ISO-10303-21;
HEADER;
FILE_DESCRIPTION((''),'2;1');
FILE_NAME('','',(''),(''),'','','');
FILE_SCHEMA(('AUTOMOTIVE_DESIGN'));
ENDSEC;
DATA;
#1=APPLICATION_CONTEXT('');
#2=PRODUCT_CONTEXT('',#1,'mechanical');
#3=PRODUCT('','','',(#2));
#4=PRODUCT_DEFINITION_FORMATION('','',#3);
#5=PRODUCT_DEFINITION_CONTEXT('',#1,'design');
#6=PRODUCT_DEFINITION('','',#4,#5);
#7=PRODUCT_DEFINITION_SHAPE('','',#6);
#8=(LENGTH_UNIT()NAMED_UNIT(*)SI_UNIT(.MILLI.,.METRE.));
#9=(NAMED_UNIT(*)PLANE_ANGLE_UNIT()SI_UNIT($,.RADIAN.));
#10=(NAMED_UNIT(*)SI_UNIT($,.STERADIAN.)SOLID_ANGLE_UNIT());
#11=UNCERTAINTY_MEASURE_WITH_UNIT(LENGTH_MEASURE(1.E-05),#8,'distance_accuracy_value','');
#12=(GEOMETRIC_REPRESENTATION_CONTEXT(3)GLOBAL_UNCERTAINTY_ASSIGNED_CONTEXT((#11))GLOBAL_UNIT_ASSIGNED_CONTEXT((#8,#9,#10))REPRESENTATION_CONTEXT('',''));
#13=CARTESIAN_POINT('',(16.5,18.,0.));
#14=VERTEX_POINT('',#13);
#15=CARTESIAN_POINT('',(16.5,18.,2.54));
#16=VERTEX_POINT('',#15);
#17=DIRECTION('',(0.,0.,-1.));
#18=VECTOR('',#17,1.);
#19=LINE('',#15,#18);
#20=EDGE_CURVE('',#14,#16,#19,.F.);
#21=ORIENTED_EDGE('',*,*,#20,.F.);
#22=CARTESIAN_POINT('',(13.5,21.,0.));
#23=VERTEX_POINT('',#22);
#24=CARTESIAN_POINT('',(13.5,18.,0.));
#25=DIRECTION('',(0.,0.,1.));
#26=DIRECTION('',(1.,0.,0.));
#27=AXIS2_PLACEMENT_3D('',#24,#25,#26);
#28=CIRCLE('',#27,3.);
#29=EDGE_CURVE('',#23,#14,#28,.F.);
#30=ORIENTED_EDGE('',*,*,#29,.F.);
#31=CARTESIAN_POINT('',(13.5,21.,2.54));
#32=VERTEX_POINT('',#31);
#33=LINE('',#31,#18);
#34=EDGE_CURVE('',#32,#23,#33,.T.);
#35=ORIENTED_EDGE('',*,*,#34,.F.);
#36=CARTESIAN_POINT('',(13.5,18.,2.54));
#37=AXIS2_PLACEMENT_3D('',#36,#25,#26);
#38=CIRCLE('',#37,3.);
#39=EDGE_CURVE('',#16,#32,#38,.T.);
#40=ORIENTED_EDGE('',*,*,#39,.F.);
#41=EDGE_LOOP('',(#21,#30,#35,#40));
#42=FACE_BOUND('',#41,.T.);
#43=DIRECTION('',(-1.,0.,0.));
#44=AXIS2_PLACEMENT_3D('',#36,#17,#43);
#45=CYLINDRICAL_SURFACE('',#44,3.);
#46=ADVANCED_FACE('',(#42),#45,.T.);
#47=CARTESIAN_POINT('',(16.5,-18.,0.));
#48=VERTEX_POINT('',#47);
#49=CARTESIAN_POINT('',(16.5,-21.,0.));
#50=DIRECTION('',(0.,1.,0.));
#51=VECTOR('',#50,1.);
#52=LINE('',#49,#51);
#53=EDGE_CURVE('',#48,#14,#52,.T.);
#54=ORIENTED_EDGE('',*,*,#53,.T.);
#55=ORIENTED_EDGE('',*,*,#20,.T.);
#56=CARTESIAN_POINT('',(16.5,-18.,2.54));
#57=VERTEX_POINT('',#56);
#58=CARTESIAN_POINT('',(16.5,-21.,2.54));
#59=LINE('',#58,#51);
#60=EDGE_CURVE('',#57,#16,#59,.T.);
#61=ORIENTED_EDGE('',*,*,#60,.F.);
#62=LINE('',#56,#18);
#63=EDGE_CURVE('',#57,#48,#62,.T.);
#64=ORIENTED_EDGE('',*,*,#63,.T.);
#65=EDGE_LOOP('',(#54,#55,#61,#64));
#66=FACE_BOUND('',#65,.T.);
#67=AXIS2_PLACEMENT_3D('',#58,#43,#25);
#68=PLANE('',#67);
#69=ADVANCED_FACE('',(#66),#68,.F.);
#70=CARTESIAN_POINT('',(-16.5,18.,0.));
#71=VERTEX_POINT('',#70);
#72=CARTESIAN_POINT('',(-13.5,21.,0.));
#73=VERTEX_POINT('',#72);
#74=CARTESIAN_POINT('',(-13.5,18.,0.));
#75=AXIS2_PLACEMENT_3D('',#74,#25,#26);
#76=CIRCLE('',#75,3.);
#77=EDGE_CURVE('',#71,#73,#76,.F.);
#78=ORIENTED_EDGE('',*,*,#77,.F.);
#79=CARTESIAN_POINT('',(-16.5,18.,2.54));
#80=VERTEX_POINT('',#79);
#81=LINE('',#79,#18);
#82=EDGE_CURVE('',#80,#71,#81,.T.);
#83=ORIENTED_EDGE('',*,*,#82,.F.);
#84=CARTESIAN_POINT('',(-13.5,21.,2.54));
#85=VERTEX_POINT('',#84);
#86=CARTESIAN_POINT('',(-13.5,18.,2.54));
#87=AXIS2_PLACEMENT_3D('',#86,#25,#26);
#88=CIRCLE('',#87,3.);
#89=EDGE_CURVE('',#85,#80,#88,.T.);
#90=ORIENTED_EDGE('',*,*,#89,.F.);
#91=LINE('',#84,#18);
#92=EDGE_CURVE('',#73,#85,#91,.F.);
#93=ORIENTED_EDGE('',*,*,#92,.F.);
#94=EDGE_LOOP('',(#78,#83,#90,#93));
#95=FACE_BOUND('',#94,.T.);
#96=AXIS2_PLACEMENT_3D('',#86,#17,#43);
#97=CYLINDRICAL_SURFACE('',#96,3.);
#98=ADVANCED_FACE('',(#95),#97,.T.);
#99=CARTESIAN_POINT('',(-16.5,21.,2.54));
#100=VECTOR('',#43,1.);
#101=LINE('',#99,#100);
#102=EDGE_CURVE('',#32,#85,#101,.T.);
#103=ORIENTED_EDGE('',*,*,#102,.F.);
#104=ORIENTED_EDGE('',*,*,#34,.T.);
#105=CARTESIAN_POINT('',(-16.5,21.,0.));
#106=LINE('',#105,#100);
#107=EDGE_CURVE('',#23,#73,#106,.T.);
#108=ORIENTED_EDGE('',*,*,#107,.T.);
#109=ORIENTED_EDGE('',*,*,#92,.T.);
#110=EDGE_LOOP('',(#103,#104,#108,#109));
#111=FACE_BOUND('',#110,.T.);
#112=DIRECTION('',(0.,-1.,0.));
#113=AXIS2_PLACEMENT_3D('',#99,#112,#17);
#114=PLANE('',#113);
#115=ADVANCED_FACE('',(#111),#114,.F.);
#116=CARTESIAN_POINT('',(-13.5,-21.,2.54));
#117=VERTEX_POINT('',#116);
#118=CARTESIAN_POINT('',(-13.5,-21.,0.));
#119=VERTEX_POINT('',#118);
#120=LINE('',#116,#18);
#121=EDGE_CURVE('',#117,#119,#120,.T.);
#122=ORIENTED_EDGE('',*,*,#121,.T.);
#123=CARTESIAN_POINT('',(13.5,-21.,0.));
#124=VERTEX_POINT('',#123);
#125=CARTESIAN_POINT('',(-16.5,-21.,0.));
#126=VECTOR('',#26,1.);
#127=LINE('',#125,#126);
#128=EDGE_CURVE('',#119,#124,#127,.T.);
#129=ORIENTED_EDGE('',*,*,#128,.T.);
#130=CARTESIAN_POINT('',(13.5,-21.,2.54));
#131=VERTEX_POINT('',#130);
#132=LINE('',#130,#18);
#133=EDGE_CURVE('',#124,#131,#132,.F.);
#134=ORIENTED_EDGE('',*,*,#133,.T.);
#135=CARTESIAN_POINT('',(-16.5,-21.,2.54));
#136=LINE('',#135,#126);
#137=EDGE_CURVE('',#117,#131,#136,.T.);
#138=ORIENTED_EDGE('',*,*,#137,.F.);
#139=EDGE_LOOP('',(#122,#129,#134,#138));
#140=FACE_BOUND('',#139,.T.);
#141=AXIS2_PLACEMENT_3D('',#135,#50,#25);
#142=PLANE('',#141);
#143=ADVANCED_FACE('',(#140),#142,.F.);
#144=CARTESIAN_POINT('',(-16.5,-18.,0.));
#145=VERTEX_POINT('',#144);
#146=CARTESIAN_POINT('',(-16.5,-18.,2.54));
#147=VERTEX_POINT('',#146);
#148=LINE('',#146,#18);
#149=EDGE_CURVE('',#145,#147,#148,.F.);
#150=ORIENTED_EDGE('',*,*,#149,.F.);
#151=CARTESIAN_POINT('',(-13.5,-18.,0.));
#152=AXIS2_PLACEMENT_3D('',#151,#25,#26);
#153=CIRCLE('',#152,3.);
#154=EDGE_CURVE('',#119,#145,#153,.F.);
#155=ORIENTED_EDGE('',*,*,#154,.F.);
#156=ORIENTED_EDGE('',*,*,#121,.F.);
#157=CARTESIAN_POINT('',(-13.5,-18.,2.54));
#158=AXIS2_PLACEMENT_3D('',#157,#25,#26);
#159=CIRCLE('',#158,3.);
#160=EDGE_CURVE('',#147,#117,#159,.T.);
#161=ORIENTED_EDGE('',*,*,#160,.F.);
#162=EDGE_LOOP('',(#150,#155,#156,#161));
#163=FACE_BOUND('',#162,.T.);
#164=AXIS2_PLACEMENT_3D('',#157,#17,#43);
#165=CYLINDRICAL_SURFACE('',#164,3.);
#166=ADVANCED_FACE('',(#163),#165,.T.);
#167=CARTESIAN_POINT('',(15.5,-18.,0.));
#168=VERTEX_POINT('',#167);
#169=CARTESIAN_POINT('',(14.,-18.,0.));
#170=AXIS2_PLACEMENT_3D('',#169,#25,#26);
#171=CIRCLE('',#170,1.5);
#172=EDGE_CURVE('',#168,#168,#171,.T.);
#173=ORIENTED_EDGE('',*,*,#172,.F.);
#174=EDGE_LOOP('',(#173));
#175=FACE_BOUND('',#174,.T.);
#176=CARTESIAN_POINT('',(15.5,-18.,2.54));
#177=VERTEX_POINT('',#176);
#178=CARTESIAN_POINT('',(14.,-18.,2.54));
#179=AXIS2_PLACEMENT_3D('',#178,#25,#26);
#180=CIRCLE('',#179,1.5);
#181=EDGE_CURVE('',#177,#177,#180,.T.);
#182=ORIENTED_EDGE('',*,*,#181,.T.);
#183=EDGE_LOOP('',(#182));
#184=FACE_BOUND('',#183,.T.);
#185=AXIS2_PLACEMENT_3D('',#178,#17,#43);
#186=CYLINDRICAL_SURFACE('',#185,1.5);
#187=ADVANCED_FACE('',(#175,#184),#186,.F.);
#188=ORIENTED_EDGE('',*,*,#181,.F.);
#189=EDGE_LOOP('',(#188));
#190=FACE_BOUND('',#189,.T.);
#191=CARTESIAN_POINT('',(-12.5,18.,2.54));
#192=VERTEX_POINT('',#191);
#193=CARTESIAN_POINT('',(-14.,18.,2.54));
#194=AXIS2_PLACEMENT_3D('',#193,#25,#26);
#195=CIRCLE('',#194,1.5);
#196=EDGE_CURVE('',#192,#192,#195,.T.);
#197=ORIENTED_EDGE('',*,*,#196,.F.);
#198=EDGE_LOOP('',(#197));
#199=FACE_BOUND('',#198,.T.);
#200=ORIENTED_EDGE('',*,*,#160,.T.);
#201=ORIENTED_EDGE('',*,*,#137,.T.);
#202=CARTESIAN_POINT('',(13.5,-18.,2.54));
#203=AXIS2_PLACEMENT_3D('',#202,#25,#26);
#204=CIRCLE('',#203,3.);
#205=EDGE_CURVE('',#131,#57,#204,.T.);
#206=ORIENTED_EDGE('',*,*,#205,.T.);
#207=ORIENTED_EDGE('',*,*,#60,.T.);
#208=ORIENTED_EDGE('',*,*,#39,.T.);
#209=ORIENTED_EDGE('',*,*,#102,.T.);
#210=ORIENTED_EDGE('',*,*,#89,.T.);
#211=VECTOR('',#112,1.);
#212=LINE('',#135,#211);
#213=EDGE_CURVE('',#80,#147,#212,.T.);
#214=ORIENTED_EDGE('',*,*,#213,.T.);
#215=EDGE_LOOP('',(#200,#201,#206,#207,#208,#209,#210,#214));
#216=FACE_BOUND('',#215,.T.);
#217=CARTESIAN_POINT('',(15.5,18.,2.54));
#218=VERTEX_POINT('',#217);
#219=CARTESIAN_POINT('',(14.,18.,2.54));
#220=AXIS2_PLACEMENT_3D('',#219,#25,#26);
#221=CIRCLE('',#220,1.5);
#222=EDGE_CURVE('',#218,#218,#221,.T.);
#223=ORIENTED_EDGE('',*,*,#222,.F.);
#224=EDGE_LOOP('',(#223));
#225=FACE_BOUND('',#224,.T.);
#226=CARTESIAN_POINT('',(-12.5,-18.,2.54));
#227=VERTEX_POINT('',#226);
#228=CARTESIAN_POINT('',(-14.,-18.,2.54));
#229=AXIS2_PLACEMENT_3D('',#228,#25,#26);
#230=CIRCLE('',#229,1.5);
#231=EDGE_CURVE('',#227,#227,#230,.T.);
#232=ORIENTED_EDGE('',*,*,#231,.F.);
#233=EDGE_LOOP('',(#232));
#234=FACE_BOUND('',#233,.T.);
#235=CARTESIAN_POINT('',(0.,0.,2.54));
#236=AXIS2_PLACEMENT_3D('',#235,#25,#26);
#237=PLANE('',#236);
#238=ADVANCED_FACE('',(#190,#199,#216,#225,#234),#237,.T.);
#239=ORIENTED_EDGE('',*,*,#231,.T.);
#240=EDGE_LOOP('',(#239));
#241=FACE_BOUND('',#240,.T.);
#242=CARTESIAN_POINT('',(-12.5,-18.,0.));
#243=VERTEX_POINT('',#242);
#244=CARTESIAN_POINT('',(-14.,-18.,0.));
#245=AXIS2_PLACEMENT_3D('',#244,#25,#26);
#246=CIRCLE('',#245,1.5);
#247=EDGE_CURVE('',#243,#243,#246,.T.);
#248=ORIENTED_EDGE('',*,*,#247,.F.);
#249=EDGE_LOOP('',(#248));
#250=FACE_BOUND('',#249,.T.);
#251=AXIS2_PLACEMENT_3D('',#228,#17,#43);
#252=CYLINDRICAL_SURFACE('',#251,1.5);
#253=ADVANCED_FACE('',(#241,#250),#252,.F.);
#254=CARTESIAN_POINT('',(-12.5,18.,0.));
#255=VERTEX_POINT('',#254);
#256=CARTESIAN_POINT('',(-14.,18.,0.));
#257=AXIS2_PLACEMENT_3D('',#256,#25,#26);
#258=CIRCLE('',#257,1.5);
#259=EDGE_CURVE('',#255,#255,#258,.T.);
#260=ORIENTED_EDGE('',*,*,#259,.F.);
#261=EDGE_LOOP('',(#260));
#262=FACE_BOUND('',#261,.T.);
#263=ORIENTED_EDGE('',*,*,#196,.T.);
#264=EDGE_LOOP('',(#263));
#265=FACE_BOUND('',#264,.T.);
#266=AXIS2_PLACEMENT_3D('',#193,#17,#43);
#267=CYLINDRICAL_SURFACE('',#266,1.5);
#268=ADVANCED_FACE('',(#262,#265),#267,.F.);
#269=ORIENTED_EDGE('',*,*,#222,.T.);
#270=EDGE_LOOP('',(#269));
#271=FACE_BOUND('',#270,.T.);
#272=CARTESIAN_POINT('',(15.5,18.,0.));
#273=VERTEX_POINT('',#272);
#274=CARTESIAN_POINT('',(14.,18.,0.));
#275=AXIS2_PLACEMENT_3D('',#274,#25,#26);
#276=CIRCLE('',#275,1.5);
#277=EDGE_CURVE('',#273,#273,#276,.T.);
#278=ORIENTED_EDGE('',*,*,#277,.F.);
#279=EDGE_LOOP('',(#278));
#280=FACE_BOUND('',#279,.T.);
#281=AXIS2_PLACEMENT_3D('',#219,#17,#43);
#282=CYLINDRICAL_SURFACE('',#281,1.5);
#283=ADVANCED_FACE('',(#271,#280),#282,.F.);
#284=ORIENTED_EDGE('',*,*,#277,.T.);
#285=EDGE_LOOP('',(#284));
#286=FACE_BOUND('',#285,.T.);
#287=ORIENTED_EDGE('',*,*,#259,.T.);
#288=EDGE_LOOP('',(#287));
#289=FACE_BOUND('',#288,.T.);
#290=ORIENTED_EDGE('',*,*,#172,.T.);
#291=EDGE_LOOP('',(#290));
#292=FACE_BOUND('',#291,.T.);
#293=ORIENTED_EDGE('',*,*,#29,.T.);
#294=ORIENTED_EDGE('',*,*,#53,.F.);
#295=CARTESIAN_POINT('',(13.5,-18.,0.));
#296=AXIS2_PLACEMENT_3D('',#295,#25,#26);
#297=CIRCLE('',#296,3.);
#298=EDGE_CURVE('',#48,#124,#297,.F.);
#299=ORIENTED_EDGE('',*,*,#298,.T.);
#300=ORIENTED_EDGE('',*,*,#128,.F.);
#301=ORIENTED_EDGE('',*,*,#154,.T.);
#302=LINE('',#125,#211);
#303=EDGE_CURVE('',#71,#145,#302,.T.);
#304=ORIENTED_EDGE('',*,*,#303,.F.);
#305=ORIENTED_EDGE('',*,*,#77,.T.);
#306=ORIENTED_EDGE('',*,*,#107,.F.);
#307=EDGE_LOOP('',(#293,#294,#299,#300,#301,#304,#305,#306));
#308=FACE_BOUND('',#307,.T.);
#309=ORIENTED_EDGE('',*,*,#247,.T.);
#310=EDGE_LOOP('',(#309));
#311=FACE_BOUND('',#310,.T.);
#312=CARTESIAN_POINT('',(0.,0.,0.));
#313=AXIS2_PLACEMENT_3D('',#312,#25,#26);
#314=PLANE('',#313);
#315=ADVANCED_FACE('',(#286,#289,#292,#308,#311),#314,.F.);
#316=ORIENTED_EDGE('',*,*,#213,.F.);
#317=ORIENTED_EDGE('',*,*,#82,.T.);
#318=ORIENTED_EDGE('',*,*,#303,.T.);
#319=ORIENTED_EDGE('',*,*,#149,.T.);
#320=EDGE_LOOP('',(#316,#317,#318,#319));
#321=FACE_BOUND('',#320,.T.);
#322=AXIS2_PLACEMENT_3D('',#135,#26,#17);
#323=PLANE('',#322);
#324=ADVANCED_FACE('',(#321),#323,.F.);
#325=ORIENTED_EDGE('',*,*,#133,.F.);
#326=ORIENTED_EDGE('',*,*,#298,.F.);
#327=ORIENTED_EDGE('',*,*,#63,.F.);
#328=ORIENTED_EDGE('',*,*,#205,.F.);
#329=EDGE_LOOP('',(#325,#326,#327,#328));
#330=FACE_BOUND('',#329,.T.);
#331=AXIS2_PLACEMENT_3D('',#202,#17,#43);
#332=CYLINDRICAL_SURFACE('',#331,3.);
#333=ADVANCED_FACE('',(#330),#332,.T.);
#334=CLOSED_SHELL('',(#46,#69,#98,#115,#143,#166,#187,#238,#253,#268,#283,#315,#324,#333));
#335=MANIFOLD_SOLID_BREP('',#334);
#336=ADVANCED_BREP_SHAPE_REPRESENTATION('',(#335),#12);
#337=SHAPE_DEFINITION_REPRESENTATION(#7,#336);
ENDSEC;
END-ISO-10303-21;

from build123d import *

# Parameters (mm, degrees)
SKETCH1_W           = 42
SKETCH1_H           = 33
SKETCH1_R           = 1.5
BOSS_EXTRUDE1_DEPTH = 2.54
FILLET1_R           = 3


with BuildPart() as part:
    # Sketch1 → Boss-Extrude1 (new body)
    with BuildSketch(Plane(origin=(0, 0, 0), x_dir=(0, 1, 0), z_dir=(0, 0, 1))):
        Rectangle(SKETCH1_W, SKETCH1_H)
        with Locations(Location((-18, 14, 0), (0, 0, 270))):
            Circle(SKETCH1_R, mode=Mode.SUBTRACT)
        with Locations(Location((-18, -14, 0), (0, 0, 270))):
            Circle(SKETCH1_R, mode=Mode.SUBTRACT)
        with Locations(Location((18, 14, 0), (0, 0, 270))):
            Circle(SKETCH1_R, mode=Mode.SUBTRACT)
        with Locations(Location((18, -14, 0), (0, 0, 270))):
            Circle(SKETCH1_R, mode=Mode.SUBTRACT)
    extrude(amount=BOSS_EXTRUDE1_DEPTH)

    # Fillet1
    fillet1_edges = [part.edges().sort_by_distance(p)[0] for p in [
        (16.5, 21, 1.27),
        (16.5, -21, 1.27),
        (-16.5, -21, 1.27),
        (-16.5, 21, 1.27),
    ]]
    fillet(fillet1_edges, radius=FILLET1_R)


solid = part.part
